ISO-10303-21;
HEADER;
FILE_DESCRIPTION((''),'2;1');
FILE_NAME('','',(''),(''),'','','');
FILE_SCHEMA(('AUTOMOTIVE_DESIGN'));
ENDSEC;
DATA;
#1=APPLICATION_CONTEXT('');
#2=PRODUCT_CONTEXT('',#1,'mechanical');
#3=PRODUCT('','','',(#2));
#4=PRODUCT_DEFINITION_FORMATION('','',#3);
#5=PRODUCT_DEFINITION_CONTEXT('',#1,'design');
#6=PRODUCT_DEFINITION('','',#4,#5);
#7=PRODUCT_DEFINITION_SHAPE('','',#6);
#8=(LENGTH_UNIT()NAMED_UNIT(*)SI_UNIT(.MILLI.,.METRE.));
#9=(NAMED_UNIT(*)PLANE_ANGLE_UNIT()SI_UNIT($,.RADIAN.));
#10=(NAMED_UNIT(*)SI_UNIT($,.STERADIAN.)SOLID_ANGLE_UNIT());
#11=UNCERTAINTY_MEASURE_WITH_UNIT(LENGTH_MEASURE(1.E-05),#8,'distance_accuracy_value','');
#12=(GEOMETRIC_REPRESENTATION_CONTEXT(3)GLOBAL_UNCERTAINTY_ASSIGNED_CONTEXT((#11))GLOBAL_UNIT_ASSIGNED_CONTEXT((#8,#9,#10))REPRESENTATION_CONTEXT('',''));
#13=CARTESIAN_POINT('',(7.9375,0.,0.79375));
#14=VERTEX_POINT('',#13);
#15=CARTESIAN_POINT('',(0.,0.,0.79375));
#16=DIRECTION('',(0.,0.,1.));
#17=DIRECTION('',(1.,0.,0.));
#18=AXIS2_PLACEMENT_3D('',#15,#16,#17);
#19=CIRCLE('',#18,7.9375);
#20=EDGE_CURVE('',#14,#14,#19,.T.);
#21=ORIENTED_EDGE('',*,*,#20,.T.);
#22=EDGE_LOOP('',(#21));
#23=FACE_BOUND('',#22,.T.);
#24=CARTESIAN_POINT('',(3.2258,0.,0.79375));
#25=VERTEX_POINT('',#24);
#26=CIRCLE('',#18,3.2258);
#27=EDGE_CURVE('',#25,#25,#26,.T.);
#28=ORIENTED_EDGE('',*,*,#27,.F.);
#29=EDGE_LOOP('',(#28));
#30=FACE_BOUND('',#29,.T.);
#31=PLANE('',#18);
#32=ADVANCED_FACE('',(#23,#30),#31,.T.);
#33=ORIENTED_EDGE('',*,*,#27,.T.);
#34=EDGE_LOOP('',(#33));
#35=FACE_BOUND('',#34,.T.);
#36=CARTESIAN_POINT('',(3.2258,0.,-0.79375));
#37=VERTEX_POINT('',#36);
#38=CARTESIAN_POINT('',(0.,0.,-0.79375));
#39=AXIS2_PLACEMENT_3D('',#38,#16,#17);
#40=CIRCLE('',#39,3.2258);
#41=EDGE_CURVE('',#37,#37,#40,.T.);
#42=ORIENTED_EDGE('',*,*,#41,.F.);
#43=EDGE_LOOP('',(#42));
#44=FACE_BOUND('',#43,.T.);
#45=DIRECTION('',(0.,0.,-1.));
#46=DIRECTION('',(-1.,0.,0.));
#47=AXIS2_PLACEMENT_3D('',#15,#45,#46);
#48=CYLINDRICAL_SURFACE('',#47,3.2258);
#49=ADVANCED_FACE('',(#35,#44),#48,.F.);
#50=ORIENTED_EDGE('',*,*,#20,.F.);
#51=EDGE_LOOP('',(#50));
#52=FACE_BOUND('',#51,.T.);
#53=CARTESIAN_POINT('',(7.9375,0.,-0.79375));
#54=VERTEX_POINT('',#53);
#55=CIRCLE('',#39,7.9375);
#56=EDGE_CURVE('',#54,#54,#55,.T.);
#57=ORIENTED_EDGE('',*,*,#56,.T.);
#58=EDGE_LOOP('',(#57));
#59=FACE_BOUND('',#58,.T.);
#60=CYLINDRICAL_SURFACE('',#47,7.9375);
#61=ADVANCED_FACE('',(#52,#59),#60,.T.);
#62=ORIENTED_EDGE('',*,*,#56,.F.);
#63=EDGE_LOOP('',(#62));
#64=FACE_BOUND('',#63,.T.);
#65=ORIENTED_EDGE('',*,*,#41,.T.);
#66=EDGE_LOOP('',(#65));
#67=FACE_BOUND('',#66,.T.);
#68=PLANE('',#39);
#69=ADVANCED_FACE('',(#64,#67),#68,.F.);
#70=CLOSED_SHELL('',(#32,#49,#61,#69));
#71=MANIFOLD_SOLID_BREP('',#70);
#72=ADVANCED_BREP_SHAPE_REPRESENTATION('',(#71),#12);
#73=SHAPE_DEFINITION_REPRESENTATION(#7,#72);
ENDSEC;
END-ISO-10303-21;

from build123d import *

# Parameters (mm, degrees)
SKETCH1_R      = 7.9375
SKETCH1_R_2    = 3.2258
EXTRUDE1_DEPTH = 0.79375


with BuildPart() as part:
    # Sketch1 → Extrude1 (new body, symmetric)
    with BuildSketch(Plane.XY):
        Circle(SKETCH1_R)
        Circle(SKETCH1_R_2, mode=Mode.SUBTRACT)
    extrude(amount=EXTRUDE1_DEPTH, both=True)


solid = part.part
